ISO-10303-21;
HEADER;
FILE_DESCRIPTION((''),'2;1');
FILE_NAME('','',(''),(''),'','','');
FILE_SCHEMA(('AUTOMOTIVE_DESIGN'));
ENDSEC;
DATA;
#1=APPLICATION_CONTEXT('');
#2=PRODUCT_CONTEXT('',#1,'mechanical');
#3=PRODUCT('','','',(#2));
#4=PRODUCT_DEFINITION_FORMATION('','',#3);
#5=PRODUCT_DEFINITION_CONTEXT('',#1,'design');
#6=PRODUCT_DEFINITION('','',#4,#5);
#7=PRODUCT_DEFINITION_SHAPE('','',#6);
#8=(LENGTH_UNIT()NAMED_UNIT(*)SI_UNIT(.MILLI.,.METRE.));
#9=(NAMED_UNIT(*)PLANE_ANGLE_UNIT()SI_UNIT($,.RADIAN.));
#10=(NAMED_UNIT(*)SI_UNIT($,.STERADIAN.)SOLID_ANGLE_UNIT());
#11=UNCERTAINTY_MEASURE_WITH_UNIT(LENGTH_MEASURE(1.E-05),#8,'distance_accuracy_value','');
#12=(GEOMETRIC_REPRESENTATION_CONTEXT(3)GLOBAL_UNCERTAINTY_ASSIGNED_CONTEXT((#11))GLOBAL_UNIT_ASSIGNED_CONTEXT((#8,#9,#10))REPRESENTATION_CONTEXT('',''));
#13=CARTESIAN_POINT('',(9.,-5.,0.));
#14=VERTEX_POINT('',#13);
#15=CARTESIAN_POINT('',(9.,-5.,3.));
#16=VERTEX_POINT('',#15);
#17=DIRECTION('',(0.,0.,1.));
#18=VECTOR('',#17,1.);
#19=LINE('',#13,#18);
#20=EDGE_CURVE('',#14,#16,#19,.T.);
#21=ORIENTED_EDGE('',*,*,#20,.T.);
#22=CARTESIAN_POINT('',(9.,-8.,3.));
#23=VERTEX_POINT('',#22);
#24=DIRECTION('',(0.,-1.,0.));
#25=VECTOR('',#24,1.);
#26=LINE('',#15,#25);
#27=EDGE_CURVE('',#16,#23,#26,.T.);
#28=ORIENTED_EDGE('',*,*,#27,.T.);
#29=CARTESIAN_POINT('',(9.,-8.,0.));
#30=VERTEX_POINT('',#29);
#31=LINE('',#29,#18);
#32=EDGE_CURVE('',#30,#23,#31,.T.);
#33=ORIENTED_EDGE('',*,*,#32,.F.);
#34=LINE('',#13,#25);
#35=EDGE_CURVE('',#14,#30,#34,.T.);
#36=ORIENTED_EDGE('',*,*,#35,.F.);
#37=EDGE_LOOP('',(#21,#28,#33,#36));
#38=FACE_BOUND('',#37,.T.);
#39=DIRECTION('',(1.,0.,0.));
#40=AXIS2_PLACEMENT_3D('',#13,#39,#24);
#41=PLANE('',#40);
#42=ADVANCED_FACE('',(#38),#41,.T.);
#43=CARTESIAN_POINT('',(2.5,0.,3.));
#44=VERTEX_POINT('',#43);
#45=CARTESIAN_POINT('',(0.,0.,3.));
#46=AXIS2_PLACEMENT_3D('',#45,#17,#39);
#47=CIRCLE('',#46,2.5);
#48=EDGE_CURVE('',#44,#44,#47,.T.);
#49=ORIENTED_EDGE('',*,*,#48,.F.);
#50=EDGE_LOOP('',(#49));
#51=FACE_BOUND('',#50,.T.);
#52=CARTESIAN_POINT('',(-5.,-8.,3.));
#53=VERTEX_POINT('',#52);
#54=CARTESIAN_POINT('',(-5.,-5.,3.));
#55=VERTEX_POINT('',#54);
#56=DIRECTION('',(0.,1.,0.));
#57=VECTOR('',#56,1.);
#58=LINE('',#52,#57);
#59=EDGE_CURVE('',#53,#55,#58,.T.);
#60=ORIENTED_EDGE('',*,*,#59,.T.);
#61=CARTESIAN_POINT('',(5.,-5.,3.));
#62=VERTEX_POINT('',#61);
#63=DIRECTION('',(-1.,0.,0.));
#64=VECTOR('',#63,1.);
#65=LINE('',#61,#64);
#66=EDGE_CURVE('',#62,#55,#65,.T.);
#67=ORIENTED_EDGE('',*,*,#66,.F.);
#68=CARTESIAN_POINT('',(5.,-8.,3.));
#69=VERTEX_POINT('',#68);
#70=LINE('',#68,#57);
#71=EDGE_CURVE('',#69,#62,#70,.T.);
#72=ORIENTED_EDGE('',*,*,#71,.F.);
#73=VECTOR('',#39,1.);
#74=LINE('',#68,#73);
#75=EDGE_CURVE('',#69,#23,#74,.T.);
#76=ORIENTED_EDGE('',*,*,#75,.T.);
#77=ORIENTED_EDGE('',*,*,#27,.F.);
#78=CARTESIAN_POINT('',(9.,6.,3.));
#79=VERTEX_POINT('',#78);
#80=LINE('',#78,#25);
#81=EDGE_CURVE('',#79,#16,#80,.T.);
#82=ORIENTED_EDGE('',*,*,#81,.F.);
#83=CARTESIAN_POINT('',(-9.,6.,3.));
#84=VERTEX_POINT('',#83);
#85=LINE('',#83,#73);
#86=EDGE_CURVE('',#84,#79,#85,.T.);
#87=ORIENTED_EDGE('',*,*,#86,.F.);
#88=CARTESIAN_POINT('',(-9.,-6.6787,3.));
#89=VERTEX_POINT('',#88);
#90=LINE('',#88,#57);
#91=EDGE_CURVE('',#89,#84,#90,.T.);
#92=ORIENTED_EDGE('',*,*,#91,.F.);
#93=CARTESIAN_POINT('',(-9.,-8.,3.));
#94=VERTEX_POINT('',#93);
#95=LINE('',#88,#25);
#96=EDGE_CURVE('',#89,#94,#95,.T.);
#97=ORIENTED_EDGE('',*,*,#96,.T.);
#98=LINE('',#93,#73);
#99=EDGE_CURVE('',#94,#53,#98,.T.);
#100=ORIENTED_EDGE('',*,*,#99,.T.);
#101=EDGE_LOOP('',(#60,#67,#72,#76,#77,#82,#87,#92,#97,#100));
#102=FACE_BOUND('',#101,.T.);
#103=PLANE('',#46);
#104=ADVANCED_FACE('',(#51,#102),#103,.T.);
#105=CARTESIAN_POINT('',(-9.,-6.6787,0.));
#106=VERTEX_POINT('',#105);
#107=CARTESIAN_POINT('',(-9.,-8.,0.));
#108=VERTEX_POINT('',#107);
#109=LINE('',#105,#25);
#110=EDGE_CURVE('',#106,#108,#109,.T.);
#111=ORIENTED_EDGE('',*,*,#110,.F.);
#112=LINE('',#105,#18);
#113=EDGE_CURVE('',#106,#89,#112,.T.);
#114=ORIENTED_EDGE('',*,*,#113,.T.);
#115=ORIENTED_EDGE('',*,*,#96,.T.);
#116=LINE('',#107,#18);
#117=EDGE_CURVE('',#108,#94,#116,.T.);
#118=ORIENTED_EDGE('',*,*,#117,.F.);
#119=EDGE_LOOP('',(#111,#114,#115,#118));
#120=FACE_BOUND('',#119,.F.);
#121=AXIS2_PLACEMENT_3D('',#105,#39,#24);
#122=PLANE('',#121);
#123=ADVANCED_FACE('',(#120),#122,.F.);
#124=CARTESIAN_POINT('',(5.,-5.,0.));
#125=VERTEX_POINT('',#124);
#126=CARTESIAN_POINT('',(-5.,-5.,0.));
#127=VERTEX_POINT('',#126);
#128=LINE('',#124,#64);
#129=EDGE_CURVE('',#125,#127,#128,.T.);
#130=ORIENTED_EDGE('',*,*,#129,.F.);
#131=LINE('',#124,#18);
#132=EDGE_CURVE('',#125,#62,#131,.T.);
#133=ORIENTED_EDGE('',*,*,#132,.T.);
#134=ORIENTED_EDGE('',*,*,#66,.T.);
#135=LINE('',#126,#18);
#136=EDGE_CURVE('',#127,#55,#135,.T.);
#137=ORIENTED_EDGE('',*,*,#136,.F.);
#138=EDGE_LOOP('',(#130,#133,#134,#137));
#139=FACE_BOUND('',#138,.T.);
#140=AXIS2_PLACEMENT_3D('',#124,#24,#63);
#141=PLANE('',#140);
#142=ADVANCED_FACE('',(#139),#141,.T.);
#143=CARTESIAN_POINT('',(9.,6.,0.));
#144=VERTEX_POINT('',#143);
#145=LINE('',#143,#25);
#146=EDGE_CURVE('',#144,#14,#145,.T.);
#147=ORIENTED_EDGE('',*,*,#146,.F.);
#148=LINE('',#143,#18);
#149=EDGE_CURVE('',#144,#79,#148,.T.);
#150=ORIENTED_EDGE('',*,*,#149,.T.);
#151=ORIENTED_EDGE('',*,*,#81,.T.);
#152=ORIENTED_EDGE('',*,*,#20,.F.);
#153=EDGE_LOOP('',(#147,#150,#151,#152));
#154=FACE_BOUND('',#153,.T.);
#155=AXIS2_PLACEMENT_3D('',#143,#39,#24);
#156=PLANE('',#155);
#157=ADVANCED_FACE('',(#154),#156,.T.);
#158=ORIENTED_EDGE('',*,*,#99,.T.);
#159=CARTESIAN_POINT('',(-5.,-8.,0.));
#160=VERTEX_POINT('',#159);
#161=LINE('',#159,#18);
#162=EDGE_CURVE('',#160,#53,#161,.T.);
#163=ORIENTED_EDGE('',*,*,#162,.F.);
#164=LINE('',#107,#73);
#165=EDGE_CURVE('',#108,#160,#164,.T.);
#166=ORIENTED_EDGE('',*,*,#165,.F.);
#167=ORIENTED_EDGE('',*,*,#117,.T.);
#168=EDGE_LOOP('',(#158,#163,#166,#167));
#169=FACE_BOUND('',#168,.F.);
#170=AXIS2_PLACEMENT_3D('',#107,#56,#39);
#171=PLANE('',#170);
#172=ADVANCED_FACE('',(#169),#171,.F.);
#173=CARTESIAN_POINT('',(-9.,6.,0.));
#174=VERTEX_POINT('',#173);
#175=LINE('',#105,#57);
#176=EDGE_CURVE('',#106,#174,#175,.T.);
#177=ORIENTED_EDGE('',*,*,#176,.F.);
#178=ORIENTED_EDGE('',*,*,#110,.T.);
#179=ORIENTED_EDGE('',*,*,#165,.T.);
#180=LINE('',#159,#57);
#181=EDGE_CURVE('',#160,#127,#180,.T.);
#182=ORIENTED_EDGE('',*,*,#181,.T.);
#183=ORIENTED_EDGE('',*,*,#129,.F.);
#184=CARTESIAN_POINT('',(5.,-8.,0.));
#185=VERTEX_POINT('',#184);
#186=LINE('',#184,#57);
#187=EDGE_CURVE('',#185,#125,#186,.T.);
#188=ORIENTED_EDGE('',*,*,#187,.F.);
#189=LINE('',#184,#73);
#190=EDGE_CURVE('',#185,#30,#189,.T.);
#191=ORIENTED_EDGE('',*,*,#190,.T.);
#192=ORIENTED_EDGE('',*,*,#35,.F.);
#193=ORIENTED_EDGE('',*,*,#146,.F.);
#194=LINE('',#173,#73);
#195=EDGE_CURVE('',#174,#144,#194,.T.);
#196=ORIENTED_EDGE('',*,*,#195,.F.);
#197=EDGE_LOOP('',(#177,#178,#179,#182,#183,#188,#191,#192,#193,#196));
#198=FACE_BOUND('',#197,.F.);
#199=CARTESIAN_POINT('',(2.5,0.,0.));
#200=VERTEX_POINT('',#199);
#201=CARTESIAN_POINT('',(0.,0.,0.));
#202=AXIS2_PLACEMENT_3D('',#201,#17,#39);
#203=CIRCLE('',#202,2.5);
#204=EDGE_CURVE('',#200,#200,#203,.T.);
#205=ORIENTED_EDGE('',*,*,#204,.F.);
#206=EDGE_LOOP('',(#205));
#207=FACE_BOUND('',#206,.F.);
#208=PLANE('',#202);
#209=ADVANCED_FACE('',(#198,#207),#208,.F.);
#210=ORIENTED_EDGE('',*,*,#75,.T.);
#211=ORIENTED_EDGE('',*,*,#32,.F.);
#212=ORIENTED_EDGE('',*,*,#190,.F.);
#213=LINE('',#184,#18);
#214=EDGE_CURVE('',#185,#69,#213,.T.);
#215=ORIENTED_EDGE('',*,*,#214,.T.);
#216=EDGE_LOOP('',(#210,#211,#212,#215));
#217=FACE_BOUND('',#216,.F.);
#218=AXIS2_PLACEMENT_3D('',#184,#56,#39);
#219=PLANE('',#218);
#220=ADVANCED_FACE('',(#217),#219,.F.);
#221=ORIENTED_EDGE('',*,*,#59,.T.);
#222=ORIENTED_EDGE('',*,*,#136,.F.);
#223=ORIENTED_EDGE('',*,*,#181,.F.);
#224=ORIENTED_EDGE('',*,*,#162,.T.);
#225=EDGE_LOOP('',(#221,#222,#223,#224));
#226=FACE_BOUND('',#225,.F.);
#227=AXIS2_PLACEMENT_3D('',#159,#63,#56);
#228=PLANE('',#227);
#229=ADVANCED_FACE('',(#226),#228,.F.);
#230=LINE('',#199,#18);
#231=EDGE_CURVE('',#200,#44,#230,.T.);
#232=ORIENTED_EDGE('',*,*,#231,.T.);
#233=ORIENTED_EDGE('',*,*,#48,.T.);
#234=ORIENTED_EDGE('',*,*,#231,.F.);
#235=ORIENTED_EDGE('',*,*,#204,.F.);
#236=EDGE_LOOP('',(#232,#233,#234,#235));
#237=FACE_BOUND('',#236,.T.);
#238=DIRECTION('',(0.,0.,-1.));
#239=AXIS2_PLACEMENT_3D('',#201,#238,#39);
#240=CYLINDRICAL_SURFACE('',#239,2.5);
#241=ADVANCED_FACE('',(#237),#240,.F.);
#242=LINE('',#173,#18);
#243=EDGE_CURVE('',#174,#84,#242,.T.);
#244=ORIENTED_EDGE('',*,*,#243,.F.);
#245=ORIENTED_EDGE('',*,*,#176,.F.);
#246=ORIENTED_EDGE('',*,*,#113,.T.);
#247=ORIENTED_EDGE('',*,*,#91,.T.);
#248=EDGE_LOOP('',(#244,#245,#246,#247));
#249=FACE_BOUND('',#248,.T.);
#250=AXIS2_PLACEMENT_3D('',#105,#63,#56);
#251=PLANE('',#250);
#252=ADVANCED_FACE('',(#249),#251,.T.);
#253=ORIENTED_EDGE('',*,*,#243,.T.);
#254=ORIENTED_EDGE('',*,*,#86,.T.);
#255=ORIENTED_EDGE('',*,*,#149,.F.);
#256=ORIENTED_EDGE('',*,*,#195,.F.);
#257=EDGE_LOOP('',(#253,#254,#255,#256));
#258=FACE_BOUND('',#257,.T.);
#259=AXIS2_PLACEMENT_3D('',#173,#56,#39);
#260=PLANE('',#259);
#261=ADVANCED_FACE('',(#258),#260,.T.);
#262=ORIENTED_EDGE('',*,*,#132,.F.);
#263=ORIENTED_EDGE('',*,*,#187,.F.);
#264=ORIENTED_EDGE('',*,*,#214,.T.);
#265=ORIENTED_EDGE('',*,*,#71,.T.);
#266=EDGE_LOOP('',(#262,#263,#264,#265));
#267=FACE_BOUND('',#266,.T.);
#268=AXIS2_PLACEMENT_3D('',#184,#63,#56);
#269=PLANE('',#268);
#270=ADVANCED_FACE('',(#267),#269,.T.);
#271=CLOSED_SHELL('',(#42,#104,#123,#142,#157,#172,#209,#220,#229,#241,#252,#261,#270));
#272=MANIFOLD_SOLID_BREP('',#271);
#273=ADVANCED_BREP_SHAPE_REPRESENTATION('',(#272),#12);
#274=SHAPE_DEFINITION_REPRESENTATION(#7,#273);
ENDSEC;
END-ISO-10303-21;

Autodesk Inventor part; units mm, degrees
ref_plane "YZ Plane" through (0, 0, 0) normal (1, 0, 0) x (0, 1, 0)
ref_plane "XZ Plane" through (0, 0, 0) normal (0, 1, 0) x (-1, 0, 0)
ref_plane "XY Plane" through (0, 0, 0) normal (0, 0, 1) x (1, 0, 0)
sketch "Sketch1" plane through (0, 0, 0) normal (0, 0, 1) x (1, 0, 0)
  circle A0 centre (0, 0) radius 2.5
  line L0 (-9, 6) -> (9, 6)
  line L1 (9, 6) -> (9, -5)
  line L2 (-9, -6.6787) -> (-9, 6)
  line L3 (0, 0) -> (9, 0) construction
  line L4 (0, 0) -> (0, 6) construction
  line L5 (-9, -6.6787) -> (-9, -8)
  line L6 (-9, -8) -> (-5, -8)
  line L7 (-5, -8) -> (-5, -5)
  line L8 (9, -5) -> (9, -8)
  line L9 (5, -8) -> (5, -5)
  line L10 (5, -8) -> (9, -8)
  line L11 (5, -5) -> (-5, -5)
  dimension "d1" = 5
  dimension "d3" = 6
  dimension "d6" = 4
  dimension "d8" = 18
  dimension "d9" = 5
  dimension "d10" = 3
extrude "Extrusion1" add sketch "Sketch1" along normal blind 3
properties part number "electromagnet_mnt_p1"
